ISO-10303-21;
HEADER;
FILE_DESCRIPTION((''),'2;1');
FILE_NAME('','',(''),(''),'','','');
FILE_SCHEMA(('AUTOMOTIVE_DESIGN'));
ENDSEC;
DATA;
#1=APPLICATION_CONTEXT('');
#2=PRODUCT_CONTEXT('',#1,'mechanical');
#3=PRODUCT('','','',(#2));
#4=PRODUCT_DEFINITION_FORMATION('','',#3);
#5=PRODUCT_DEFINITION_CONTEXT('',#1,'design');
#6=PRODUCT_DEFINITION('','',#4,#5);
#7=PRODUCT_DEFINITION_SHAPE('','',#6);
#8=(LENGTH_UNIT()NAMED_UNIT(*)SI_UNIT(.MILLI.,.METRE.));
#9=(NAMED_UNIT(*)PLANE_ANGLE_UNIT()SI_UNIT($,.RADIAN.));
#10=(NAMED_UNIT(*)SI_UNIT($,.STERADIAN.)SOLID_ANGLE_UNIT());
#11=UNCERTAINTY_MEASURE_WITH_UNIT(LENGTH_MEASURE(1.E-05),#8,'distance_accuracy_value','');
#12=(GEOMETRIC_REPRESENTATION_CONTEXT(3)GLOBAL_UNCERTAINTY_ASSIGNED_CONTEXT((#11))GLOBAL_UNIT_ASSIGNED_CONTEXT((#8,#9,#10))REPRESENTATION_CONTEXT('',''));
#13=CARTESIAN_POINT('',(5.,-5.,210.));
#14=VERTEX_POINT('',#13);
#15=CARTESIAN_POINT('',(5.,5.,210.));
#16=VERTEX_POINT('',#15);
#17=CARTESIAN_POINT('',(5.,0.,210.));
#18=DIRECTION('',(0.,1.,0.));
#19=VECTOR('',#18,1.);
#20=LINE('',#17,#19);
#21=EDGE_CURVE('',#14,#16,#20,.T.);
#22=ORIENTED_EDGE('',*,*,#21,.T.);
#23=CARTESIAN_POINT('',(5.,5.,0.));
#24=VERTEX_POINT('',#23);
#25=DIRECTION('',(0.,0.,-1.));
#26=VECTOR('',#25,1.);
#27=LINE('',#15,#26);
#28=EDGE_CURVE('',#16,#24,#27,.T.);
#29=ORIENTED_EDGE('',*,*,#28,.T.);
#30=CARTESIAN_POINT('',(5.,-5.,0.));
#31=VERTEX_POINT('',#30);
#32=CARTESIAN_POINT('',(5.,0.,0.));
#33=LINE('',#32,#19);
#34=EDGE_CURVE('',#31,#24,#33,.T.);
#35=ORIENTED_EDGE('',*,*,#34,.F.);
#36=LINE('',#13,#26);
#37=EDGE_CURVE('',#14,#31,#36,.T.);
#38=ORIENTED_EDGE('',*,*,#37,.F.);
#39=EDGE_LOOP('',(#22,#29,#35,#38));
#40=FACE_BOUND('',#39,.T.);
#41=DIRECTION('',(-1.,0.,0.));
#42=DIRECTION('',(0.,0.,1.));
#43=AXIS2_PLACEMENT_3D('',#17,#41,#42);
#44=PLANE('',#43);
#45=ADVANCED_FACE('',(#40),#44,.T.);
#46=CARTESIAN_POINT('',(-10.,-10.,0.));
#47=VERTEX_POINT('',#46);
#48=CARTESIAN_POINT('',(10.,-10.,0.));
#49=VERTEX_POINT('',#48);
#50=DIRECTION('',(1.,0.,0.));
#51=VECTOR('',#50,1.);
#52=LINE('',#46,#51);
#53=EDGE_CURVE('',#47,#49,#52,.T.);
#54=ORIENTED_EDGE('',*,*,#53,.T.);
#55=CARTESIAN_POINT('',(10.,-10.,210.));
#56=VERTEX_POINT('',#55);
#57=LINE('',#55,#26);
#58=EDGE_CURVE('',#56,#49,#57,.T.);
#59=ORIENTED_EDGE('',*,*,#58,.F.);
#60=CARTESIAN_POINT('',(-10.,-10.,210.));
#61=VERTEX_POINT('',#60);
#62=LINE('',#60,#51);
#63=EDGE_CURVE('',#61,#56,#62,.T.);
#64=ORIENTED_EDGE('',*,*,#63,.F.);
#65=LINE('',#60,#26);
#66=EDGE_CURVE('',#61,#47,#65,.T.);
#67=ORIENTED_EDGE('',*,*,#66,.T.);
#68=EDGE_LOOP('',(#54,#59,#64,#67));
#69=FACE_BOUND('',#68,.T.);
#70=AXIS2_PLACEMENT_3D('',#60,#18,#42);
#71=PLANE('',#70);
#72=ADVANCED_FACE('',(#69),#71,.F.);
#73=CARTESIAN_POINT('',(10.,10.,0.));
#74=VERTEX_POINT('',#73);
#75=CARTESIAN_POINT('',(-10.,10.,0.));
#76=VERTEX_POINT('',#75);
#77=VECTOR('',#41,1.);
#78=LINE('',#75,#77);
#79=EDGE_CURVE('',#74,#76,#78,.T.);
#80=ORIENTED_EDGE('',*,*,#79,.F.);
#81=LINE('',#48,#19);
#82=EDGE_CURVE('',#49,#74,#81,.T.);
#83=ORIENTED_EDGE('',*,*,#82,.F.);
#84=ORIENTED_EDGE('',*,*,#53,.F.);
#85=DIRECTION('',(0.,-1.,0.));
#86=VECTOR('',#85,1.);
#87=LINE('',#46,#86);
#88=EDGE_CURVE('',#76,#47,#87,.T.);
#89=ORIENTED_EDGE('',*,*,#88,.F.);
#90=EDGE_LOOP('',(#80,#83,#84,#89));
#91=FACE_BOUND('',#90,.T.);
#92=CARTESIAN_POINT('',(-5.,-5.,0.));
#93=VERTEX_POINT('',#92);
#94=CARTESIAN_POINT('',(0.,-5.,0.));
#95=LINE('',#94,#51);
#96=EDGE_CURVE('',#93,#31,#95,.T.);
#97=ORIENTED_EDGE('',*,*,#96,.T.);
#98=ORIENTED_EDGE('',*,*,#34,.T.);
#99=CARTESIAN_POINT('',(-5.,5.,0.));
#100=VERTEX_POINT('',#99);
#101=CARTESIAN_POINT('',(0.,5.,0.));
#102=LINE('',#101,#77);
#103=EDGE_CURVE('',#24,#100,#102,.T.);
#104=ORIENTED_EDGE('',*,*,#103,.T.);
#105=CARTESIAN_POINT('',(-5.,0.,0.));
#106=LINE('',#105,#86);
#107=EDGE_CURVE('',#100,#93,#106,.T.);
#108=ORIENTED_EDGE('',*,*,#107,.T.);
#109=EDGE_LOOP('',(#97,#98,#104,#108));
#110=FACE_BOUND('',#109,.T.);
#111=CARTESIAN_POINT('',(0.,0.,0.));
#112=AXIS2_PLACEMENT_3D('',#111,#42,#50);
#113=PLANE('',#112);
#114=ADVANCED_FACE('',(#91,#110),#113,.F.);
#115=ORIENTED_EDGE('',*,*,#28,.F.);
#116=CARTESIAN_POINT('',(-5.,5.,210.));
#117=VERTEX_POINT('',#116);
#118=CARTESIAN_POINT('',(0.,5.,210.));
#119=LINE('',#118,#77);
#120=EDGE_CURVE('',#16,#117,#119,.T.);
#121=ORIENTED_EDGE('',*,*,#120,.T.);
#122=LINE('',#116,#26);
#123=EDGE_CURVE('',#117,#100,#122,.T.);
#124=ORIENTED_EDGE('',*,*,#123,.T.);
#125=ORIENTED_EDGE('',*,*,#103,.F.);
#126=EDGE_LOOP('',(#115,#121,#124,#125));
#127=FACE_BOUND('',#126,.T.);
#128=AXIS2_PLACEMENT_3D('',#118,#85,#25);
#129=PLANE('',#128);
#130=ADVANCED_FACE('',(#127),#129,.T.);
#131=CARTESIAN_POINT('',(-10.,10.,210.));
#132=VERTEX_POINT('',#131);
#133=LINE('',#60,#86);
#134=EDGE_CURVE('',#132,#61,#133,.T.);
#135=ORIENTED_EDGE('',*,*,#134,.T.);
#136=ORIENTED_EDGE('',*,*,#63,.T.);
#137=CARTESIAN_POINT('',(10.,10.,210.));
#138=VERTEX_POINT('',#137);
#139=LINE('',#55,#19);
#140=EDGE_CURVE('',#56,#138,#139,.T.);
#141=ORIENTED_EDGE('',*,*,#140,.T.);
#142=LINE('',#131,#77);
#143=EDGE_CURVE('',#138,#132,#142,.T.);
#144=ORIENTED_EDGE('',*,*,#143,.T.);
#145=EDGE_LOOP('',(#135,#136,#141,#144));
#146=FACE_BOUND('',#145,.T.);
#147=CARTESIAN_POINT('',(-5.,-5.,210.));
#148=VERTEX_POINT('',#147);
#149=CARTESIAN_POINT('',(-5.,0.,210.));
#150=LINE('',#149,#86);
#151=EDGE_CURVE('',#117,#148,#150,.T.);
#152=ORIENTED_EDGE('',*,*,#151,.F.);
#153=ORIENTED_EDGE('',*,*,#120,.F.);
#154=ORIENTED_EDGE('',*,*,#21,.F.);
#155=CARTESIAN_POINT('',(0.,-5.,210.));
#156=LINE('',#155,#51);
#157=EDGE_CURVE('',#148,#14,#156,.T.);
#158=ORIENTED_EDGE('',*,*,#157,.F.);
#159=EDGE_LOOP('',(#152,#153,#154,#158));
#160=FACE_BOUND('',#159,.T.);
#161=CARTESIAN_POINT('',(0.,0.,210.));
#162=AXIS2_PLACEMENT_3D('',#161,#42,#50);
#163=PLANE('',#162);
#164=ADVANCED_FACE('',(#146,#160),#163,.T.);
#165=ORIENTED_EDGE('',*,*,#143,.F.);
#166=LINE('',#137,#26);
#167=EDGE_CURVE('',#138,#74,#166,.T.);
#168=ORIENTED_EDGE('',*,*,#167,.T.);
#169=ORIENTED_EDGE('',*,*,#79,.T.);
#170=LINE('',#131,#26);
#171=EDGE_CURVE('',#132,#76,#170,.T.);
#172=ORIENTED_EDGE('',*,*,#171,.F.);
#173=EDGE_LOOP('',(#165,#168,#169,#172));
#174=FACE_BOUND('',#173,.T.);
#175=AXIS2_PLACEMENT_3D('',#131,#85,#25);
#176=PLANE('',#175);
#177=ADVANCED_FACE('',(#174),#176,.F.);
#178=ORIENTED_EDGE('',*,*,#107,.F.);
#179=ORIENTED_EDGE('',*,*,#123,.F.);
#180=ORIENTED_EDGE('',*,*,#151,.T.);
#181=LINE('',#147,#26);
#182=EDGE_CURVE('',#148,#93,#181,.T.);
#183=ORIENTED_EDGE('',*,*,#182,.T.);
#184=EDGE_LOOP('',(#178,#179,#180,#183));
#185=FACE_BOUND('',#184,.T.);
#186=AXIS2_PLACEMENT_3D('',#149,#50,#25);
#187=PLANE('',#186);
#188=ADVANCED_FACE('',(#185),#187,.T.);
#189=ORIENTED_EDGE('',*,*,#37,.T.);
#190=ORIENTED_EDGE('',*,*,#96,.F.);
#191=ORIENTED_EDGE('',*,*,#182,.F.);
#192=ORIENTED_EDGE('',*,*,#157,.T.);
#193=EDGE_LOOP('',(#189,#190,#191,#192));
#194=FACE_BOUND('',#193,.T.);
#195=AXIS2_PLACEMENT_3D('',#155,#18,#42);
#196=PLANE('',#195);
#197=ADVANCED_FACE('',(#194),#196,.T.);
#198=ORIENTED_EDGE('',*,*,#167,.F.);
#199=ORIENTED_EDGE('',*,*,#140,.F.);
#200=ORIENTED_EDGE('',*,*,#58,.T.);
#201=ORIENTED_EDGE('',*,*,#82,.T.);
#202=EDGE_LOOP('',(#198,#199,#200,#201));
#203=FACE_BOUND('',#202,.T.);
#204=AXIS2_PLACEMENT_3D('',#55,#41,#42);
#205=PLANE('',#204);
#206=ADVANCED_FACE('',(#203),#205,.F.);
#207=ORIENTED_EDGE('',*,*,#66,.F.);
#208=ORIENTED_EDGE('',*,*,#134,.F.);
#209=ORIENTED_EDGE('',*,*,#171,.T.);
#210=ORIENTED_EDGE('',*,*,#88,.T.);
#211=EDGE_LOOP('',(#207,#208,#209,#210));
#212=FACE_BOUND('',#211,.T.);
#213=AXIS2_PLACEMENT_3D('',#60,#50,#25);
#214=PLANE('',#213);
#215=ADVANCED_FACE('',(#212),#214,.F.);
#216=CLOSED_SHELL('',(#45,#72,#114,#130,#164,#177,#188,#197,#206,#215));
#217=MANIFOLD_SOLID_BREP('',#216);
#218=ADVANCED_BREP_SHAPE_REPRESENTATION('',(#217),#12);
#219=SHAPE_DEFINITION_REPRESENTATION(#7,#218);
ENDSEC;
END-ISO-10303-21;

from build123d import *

# Parameters (mm, degrees)
SKETCH1_W           = 20
SKETCH1_H           = 20
SKETCH1_W_2         = 10
SKETCH1_H_2         = 10
EXTRUDE_THIN1_DEPTH = 210


with BuildPart() as part:
    # Sketch1 → Extrude-Thin1 (new body)
    with BuildSketch(Plane.XY):
        Rectangle(SKETCH1_W, SKETCH1_H)
        Rectangle(SKETCH1_W_2, SKETCH1_H_2, mode=Mode.SUBTRACT)
    extrude(amount=EXTRUDE_THIN1_DEPTH)


solid = part.part
